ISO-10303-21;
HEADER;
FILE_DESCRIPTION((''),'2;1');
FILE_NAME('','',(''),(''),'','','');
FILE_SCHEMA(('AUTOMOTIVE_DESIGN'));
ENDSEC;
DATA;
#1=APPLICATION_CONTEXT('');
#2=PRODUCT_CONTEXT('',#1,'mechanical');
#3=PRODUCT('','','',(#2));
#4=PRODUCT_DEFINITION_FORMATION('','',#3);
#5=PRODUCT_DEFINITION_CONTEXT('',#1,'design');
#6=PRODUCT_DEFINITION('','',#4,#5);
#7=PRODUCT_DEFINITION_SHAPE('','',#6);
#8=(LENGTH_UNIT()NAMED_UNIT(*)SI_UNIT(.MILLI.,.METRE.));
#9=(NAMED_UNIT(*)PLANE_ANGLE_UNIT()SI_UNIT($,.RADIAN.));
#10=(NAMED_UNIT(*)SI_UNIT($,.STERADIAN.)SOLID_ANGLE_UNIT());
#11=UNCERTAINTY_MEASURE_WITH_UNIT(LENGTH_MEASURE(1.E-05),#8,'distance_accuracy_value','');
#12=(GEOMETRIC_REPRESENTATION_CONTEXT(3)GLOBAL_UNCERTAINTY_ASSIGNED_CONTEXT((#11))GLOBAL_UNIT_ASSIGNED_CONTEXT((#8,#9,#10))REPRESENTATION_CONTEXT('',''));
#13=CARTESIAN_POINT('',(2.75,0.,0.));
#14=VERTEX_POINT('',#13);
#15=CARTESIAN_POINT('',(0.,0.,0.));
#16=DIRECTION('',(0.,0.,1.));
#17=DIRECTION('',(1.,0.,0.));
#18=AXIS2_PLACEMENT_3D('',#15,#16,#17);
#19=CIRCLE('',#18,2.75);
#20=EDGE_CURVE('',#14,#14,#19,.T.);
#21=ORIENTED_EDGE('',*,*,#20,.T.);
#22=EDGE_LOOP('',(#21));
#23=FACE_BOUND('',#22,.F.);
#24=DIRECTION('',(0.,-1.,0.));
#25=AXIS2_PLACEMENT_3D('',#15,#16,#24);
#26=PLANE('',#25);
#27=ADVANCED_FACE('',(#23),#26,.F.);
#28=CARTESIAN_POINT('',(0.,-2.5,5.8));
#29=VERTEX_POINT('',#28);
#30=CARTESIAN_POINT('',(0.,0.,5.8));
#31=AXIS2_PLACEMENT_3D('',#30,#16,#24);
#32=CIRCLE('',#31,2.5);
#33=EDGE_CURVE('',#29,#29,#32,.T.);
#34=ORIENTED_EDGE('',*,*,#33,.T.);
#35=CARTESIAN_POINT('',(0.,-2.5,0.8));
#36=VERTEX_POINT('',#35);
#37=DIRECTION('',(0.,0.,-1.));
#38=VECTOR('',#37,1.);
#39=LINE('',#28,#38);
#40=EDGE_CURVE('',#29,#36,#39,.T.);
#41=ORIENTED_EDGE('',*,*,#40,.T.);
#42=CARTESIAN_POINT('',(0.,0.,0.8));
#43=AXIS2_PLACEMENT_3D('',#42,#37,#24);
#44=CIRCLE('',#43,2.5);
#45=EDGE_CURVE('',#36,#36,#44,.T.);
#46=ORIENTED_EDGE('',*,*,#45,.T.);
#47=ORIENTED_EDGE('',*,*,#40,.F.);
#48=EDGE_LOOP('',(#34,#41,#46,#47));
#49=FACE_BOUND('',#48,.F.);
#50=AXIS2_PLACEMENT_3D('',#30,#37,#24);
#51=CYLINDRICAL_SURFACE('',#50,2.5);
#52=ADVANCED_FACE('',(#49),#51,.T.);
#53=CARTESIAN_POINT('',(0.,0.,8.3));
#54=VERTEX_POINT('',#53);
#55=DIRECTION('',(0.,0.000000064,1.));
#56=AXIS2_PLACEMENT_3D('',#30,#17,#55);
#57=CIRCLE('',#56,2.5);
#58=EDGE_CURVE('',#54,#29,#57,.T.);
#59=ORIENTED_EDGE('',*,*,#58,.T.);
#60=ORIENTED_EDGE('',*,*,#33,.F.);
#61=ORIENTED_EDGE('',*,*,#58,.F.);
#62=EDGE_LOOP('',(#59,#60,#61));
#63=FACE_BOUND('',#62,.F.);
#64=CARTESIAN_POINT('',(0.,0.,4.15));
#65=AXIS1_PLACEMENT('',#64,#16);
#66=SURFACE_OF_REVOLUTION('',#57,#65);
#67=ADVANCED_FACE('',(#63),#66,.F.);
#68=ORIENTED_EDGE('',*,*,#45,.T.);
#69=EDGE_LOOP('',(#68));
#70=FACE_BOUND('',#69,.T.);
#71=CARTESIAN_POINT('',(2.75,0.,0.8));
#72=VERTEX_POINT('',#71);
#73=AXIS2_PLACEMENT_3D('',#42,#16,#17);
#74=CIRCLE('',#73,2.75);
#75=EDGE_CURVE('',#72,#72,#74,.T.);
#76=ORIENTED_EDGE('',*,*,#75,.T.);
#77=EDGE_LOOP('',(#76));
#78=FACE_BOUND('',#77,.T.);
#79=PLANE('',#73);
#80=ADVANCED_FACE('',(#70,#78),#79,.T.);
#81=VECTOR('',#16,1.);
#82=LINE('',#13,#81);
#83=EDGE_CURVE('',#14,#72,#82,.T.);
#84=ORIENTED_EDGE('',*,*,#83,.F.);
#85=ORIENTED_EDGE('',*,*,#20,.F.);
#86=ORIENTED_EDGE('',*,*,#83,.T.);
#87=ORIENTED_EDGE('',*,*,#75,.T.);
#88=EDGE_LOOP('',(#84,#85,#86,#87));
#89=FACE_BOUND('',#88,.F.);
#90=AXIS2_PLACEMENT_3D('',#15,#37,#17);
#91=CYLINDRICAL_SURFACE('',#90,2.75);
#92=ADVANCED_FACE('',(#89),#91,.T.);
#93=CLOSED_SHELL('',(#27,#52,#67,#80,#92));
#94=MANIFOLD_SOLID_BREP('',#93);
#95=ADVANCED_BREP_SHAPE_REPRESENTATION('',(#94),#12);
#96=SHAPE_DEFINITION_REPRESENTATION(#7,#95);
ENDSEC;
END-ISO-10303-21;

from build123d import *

# Parameters (mm, degrees)
F0_R     = 2.75
F1_DEPTH = 0.8


with BuildPart() as f1:
    # F0 (on Top) → F1 (new body)
    with BuildSketch(Plane.XY):
        Circle(F0_R)
    extrude(amount=F1_DEPTH)

    # F2 (on Right) → F3 (revolve)
    with BuildSketch(Plane.YZ):
        with BuildLine():
            Line((-2.5, 0), (0, 0))
            Line((0, 0), (0, 8.3))
            ThreePointArc((0, 8.3), (-1.767767, 7.567767), (-2.5, 5.8))
            Line((-2.5, 5.8), (-2.5, 0))
        make_face()
    revolve(axis=Axis((0, 0, 4.15), (0, 0, 1)))


solid = f1.part
